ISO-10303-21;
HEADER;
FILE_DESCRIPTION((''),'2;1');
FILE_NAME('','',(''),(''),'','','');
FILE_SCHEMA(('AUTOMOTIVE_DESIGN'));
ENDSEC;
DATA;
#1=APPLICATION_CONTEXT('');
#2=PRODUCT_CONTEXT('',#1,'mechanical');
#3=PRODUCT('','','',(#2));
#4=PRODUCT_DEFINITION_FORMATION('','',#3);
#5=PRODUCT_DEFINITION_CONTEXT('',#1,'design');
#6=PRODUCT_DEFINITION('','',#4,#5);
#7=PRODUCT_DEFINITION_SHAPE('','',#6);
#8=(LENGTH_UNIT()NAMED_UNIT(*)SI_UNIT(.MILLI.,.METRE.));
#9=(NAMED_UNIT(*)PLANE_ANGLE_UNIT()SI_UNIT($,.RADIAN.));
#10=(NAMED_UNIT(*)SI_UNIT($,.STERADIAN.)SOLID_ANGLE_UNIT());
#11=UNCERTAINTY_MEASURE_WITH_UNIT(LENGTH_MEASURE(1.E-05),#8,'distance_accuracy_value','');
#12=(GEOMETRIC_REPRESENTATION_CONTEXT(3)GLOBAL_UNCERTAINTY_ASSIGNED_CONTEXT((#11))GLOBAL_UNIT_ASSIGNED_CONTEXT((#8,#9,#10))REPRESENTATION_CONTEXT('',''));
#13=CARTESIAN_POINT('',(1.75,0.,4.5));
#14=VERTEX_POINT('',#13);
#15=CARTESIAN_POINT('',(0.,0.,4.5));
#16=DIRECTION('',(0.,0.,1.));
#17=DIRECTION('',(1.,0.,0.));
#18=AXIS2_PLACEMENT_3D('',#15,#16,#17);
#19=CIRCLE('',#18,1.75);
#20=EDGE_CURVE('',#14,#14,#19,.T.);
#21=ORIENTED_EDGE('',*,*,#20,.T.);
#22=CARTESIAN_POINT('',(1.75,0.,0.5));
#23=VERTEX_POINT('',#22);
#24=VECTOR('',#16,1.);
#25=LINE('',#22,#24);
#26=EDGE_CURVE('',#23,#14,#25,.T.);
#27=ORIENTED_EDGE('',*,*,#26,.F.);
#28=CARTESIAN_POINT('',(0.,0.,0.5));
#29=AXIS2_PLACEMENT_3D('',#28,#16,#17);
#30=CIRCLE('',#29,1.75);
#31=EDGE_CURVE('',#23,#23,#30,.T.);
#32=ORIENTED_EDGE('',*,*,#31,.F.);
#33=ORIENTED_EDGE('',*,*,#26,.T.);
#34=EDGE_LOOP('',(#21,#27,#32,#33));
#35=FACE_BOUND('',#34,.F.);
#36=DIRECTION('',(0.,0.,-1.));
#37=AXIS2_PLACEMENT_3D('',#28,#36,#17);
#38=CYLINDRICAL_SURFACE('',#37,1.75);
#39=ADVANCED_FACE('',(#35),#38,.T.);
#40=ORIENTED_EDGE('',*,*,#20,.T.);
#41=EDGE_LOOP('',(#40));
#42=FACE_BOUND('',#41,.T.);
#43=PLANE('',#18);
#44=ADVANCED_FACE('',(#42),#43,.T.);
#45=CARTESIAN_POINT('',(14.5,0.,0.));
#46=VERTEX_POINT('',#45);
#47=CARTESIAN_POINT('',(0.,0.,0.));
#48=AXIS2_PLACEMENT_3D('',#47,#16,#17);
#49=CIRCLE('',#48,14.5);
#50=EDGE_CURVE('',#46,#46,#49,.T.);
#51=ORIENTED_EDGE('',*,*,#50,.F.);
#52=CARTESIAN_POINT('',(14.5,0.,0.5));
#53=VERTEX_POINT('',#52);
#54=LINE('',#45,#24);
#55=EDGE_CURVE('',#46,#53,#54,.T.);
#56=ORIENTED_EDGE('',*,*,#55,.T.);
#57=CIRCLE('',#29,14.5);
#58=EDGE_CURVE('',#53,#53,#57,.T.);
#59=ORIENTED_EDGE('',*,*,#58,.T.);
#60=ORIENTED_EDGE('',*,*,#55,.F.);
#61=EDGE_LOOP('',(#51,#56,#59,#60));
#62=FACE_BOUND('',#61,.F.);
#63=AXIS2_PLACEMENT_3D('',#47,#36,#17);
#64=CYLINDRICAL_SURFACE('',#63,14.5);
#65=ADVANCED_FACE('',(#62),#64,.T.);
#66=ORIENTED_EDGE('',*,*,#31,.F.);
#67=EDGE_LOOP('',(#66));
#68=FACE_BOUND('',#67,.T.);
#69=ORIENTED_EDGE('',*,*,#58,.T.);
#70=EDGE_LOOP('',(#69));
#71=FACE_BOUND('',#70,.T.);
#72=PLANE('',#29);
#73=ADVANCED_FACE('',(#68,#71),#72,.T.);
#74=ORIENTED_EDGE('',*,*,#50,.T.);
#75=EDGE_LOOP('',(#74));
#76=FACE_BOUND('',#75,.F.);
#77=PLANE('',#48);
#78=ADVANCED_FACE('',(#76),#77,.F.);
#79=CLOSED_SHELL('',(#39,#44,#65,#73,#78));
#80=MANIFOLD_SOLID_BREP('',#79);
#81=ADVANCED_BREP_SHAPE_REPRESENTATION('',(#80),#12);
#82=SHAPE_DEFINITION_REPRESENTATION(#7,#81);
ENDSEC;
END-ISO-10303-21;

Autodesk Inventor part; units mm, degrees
ref_plane "YZ Plane" through (0, 0, 0) normal (1, 0, 0) x (0, 1, 0)
ref_plane "XZ Plane" through (0, 0, 0) normal (0, 1, 0) x (-1, 0, 0)
ref_plane "XY Plane" through (0, 0, 0) normal (0, 0, 1) x (1, 0, 0)
sketch "Skizze1" plane through (0, 0, 0) normal (0, 0, 1) x (1, 0, 0)
  circle A0 centre (0, 0) radius 14.5
  dimension "d0" = 29
extrude "Extrusion1" add sketch "Skizze1" along normal blind 0.5
sketch "Skizze2" plane through (0, 0, 0.5) normal (0, 0, 1) x (1, 0, 0)
  circle A0 centre (0, 0) radius 1.75
  dimension "d3" = 3.5
extrude "Extrusion2" add sketch "Skizze2" along normal blind 4
properties part number "cross_plate"
